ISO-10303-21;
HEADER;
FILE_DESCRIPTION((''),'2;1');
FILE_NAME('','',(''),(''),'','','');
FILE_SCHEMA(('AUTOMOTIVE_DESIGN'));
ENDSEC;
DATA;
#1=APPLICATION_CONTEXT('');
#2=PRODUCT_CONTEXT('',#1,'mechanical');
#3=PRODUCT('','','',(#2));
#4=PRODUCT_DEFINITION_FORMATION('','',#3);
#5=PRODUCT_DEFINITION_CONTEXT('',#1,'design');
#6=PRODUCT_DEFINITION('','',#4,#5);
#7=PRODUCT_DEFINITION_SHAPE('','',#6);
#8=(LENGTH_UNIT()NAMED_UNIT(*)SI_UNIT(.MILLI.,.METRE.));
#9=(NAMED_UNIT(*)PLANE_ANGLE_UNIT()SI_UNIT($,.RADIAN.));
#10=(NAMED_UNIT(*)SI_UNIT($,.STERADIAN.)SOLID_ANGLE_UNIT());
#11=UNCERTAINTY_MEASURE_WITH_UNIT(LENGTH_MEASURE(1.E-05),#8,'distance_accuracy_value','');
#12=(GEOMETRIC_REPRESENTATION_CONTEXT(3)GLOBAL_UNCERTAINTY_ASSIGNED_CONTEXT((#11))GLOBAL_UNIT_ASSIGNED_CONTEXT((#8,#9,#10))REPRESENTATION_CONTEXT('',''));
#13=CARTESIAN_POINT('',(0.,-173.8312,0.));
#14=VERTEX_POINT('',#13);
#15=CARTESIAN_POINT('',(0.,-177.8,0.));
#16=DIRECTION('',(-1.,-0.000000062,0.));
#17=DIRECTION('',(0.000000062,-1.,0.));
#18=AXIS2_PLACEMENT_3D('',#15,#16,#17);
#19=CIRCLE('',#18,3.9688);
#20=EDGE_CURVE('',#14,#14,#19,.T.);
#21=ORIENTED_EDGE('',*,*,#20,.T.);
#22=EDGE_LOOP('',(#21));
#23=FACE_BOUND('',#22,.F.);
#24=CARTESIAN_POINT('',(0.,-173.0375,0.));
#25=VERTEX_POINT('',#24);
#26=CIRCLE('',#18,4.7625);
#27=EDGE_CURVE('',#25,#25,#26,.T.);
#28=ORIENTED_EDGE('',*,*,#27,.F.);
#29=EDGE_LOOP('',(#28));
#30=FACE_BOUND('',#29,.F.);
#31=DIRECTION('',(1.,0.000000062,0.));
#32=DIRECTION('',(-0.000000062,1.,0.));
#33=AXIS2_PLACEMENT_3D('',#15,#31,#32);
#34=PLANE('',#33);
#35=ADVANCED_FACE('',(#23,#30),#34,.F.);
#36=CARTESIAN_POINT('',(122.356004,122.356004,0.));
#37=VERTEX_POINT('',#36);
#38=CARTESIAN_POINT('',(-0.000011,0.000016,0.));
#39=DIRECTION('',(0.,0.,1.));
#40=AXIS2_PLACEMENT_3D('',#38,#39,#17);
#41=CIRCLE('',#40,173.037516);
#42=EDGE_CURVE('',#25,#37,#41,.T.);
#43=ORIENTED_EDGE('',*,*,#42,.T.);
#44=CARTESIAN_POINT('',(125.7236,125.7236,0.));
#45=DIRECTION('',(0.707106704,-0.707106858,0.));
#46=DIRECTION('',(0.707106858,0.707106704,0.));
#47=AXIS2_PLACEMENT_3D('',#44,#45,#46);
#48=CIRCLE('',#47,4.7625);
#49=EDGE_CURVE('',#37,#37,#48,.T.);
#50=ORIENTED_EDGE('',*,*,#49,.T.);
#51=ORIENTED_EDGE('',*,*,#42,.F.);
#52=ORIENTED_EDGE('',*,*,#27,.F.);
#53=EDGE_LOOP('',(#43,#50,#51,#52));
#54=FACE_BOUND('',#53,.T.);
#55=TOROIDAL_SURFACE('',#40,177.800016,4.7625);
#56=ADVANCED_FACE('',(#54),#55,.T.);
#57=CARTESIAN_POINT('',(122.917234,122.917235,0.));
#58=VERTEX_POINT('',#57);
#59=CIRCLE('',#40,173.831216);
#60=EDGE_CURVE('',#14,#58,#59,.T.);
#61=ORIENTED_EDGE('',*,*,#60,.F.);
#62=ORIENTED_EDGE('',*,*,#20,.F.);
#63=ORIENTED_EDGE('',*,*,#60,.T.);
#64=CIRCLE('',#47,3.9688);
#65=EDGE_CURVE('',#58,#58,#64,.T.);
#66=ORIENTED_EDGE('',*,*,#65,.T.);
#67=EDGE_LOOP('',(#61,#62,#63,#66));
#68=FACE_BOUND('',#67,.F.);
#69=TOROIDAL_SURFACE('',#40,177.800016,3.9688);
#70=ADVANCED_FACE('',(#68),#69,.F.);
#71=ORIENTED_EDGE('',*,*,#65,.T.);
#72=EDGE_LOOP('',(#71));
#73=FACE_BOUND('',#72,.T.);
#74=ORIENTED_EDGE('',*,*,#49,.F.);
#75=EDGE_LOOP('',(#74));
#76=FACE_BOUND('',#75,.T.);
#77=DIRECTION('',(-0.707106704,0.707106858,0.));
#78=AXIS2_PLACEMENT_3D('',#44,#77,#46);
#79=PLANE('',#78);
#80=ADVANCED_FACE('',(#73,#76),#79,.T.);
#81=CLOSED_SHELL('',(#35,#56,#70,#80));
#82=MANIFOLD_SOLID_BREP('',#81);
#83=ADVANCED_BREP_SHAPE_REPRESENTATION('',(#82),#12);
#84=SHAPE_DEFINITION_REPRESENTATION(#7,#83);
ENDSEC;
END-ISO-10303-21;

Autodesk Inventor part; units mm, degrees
ref_plane "YZ Plane" through (0, 0, 0) normal (1, 0, 0) x (0, 1, 0)
ref_plane "XZ Plane" through (0, 0, 0) normal (0, 1, 0) x (-1, 0, 0)
ref_plane "XY Plane" through (0, 0, 0) normal (0, 0, 1) x (1, 0, 0)
sketch "Sketch1" plane through (0, 0, 0) normal (0, 0, 1) x (1, 0, 0)
  arc A0 (0, -177.8) -> (125.7236, 125.7236) centre (0, 0) ccw
  line L0 (0, 0) -> (0, -177.8) construction
  line L1 (0, 0) -> (125.7236, 125.7236) construction
  dimension "d0" = 177.8
  dimension "d1" = 135
sketch "Sketch2" plane through (0, 0, 0) normal (1, 0, 0) x (0, 1, 0)
  circle A0 centre (-177.8, 0) radius 4.7625
  circle A1 centre (-177.8, 0) radius 3.9688
  point P0 (0, 0)
  dimension "d2" = 9.525
  dimension "d3" = 7.9375
sweep "Sweep1" add profiles "Sketch2" path "Sketch1"
properties part number "8 ball arch"
